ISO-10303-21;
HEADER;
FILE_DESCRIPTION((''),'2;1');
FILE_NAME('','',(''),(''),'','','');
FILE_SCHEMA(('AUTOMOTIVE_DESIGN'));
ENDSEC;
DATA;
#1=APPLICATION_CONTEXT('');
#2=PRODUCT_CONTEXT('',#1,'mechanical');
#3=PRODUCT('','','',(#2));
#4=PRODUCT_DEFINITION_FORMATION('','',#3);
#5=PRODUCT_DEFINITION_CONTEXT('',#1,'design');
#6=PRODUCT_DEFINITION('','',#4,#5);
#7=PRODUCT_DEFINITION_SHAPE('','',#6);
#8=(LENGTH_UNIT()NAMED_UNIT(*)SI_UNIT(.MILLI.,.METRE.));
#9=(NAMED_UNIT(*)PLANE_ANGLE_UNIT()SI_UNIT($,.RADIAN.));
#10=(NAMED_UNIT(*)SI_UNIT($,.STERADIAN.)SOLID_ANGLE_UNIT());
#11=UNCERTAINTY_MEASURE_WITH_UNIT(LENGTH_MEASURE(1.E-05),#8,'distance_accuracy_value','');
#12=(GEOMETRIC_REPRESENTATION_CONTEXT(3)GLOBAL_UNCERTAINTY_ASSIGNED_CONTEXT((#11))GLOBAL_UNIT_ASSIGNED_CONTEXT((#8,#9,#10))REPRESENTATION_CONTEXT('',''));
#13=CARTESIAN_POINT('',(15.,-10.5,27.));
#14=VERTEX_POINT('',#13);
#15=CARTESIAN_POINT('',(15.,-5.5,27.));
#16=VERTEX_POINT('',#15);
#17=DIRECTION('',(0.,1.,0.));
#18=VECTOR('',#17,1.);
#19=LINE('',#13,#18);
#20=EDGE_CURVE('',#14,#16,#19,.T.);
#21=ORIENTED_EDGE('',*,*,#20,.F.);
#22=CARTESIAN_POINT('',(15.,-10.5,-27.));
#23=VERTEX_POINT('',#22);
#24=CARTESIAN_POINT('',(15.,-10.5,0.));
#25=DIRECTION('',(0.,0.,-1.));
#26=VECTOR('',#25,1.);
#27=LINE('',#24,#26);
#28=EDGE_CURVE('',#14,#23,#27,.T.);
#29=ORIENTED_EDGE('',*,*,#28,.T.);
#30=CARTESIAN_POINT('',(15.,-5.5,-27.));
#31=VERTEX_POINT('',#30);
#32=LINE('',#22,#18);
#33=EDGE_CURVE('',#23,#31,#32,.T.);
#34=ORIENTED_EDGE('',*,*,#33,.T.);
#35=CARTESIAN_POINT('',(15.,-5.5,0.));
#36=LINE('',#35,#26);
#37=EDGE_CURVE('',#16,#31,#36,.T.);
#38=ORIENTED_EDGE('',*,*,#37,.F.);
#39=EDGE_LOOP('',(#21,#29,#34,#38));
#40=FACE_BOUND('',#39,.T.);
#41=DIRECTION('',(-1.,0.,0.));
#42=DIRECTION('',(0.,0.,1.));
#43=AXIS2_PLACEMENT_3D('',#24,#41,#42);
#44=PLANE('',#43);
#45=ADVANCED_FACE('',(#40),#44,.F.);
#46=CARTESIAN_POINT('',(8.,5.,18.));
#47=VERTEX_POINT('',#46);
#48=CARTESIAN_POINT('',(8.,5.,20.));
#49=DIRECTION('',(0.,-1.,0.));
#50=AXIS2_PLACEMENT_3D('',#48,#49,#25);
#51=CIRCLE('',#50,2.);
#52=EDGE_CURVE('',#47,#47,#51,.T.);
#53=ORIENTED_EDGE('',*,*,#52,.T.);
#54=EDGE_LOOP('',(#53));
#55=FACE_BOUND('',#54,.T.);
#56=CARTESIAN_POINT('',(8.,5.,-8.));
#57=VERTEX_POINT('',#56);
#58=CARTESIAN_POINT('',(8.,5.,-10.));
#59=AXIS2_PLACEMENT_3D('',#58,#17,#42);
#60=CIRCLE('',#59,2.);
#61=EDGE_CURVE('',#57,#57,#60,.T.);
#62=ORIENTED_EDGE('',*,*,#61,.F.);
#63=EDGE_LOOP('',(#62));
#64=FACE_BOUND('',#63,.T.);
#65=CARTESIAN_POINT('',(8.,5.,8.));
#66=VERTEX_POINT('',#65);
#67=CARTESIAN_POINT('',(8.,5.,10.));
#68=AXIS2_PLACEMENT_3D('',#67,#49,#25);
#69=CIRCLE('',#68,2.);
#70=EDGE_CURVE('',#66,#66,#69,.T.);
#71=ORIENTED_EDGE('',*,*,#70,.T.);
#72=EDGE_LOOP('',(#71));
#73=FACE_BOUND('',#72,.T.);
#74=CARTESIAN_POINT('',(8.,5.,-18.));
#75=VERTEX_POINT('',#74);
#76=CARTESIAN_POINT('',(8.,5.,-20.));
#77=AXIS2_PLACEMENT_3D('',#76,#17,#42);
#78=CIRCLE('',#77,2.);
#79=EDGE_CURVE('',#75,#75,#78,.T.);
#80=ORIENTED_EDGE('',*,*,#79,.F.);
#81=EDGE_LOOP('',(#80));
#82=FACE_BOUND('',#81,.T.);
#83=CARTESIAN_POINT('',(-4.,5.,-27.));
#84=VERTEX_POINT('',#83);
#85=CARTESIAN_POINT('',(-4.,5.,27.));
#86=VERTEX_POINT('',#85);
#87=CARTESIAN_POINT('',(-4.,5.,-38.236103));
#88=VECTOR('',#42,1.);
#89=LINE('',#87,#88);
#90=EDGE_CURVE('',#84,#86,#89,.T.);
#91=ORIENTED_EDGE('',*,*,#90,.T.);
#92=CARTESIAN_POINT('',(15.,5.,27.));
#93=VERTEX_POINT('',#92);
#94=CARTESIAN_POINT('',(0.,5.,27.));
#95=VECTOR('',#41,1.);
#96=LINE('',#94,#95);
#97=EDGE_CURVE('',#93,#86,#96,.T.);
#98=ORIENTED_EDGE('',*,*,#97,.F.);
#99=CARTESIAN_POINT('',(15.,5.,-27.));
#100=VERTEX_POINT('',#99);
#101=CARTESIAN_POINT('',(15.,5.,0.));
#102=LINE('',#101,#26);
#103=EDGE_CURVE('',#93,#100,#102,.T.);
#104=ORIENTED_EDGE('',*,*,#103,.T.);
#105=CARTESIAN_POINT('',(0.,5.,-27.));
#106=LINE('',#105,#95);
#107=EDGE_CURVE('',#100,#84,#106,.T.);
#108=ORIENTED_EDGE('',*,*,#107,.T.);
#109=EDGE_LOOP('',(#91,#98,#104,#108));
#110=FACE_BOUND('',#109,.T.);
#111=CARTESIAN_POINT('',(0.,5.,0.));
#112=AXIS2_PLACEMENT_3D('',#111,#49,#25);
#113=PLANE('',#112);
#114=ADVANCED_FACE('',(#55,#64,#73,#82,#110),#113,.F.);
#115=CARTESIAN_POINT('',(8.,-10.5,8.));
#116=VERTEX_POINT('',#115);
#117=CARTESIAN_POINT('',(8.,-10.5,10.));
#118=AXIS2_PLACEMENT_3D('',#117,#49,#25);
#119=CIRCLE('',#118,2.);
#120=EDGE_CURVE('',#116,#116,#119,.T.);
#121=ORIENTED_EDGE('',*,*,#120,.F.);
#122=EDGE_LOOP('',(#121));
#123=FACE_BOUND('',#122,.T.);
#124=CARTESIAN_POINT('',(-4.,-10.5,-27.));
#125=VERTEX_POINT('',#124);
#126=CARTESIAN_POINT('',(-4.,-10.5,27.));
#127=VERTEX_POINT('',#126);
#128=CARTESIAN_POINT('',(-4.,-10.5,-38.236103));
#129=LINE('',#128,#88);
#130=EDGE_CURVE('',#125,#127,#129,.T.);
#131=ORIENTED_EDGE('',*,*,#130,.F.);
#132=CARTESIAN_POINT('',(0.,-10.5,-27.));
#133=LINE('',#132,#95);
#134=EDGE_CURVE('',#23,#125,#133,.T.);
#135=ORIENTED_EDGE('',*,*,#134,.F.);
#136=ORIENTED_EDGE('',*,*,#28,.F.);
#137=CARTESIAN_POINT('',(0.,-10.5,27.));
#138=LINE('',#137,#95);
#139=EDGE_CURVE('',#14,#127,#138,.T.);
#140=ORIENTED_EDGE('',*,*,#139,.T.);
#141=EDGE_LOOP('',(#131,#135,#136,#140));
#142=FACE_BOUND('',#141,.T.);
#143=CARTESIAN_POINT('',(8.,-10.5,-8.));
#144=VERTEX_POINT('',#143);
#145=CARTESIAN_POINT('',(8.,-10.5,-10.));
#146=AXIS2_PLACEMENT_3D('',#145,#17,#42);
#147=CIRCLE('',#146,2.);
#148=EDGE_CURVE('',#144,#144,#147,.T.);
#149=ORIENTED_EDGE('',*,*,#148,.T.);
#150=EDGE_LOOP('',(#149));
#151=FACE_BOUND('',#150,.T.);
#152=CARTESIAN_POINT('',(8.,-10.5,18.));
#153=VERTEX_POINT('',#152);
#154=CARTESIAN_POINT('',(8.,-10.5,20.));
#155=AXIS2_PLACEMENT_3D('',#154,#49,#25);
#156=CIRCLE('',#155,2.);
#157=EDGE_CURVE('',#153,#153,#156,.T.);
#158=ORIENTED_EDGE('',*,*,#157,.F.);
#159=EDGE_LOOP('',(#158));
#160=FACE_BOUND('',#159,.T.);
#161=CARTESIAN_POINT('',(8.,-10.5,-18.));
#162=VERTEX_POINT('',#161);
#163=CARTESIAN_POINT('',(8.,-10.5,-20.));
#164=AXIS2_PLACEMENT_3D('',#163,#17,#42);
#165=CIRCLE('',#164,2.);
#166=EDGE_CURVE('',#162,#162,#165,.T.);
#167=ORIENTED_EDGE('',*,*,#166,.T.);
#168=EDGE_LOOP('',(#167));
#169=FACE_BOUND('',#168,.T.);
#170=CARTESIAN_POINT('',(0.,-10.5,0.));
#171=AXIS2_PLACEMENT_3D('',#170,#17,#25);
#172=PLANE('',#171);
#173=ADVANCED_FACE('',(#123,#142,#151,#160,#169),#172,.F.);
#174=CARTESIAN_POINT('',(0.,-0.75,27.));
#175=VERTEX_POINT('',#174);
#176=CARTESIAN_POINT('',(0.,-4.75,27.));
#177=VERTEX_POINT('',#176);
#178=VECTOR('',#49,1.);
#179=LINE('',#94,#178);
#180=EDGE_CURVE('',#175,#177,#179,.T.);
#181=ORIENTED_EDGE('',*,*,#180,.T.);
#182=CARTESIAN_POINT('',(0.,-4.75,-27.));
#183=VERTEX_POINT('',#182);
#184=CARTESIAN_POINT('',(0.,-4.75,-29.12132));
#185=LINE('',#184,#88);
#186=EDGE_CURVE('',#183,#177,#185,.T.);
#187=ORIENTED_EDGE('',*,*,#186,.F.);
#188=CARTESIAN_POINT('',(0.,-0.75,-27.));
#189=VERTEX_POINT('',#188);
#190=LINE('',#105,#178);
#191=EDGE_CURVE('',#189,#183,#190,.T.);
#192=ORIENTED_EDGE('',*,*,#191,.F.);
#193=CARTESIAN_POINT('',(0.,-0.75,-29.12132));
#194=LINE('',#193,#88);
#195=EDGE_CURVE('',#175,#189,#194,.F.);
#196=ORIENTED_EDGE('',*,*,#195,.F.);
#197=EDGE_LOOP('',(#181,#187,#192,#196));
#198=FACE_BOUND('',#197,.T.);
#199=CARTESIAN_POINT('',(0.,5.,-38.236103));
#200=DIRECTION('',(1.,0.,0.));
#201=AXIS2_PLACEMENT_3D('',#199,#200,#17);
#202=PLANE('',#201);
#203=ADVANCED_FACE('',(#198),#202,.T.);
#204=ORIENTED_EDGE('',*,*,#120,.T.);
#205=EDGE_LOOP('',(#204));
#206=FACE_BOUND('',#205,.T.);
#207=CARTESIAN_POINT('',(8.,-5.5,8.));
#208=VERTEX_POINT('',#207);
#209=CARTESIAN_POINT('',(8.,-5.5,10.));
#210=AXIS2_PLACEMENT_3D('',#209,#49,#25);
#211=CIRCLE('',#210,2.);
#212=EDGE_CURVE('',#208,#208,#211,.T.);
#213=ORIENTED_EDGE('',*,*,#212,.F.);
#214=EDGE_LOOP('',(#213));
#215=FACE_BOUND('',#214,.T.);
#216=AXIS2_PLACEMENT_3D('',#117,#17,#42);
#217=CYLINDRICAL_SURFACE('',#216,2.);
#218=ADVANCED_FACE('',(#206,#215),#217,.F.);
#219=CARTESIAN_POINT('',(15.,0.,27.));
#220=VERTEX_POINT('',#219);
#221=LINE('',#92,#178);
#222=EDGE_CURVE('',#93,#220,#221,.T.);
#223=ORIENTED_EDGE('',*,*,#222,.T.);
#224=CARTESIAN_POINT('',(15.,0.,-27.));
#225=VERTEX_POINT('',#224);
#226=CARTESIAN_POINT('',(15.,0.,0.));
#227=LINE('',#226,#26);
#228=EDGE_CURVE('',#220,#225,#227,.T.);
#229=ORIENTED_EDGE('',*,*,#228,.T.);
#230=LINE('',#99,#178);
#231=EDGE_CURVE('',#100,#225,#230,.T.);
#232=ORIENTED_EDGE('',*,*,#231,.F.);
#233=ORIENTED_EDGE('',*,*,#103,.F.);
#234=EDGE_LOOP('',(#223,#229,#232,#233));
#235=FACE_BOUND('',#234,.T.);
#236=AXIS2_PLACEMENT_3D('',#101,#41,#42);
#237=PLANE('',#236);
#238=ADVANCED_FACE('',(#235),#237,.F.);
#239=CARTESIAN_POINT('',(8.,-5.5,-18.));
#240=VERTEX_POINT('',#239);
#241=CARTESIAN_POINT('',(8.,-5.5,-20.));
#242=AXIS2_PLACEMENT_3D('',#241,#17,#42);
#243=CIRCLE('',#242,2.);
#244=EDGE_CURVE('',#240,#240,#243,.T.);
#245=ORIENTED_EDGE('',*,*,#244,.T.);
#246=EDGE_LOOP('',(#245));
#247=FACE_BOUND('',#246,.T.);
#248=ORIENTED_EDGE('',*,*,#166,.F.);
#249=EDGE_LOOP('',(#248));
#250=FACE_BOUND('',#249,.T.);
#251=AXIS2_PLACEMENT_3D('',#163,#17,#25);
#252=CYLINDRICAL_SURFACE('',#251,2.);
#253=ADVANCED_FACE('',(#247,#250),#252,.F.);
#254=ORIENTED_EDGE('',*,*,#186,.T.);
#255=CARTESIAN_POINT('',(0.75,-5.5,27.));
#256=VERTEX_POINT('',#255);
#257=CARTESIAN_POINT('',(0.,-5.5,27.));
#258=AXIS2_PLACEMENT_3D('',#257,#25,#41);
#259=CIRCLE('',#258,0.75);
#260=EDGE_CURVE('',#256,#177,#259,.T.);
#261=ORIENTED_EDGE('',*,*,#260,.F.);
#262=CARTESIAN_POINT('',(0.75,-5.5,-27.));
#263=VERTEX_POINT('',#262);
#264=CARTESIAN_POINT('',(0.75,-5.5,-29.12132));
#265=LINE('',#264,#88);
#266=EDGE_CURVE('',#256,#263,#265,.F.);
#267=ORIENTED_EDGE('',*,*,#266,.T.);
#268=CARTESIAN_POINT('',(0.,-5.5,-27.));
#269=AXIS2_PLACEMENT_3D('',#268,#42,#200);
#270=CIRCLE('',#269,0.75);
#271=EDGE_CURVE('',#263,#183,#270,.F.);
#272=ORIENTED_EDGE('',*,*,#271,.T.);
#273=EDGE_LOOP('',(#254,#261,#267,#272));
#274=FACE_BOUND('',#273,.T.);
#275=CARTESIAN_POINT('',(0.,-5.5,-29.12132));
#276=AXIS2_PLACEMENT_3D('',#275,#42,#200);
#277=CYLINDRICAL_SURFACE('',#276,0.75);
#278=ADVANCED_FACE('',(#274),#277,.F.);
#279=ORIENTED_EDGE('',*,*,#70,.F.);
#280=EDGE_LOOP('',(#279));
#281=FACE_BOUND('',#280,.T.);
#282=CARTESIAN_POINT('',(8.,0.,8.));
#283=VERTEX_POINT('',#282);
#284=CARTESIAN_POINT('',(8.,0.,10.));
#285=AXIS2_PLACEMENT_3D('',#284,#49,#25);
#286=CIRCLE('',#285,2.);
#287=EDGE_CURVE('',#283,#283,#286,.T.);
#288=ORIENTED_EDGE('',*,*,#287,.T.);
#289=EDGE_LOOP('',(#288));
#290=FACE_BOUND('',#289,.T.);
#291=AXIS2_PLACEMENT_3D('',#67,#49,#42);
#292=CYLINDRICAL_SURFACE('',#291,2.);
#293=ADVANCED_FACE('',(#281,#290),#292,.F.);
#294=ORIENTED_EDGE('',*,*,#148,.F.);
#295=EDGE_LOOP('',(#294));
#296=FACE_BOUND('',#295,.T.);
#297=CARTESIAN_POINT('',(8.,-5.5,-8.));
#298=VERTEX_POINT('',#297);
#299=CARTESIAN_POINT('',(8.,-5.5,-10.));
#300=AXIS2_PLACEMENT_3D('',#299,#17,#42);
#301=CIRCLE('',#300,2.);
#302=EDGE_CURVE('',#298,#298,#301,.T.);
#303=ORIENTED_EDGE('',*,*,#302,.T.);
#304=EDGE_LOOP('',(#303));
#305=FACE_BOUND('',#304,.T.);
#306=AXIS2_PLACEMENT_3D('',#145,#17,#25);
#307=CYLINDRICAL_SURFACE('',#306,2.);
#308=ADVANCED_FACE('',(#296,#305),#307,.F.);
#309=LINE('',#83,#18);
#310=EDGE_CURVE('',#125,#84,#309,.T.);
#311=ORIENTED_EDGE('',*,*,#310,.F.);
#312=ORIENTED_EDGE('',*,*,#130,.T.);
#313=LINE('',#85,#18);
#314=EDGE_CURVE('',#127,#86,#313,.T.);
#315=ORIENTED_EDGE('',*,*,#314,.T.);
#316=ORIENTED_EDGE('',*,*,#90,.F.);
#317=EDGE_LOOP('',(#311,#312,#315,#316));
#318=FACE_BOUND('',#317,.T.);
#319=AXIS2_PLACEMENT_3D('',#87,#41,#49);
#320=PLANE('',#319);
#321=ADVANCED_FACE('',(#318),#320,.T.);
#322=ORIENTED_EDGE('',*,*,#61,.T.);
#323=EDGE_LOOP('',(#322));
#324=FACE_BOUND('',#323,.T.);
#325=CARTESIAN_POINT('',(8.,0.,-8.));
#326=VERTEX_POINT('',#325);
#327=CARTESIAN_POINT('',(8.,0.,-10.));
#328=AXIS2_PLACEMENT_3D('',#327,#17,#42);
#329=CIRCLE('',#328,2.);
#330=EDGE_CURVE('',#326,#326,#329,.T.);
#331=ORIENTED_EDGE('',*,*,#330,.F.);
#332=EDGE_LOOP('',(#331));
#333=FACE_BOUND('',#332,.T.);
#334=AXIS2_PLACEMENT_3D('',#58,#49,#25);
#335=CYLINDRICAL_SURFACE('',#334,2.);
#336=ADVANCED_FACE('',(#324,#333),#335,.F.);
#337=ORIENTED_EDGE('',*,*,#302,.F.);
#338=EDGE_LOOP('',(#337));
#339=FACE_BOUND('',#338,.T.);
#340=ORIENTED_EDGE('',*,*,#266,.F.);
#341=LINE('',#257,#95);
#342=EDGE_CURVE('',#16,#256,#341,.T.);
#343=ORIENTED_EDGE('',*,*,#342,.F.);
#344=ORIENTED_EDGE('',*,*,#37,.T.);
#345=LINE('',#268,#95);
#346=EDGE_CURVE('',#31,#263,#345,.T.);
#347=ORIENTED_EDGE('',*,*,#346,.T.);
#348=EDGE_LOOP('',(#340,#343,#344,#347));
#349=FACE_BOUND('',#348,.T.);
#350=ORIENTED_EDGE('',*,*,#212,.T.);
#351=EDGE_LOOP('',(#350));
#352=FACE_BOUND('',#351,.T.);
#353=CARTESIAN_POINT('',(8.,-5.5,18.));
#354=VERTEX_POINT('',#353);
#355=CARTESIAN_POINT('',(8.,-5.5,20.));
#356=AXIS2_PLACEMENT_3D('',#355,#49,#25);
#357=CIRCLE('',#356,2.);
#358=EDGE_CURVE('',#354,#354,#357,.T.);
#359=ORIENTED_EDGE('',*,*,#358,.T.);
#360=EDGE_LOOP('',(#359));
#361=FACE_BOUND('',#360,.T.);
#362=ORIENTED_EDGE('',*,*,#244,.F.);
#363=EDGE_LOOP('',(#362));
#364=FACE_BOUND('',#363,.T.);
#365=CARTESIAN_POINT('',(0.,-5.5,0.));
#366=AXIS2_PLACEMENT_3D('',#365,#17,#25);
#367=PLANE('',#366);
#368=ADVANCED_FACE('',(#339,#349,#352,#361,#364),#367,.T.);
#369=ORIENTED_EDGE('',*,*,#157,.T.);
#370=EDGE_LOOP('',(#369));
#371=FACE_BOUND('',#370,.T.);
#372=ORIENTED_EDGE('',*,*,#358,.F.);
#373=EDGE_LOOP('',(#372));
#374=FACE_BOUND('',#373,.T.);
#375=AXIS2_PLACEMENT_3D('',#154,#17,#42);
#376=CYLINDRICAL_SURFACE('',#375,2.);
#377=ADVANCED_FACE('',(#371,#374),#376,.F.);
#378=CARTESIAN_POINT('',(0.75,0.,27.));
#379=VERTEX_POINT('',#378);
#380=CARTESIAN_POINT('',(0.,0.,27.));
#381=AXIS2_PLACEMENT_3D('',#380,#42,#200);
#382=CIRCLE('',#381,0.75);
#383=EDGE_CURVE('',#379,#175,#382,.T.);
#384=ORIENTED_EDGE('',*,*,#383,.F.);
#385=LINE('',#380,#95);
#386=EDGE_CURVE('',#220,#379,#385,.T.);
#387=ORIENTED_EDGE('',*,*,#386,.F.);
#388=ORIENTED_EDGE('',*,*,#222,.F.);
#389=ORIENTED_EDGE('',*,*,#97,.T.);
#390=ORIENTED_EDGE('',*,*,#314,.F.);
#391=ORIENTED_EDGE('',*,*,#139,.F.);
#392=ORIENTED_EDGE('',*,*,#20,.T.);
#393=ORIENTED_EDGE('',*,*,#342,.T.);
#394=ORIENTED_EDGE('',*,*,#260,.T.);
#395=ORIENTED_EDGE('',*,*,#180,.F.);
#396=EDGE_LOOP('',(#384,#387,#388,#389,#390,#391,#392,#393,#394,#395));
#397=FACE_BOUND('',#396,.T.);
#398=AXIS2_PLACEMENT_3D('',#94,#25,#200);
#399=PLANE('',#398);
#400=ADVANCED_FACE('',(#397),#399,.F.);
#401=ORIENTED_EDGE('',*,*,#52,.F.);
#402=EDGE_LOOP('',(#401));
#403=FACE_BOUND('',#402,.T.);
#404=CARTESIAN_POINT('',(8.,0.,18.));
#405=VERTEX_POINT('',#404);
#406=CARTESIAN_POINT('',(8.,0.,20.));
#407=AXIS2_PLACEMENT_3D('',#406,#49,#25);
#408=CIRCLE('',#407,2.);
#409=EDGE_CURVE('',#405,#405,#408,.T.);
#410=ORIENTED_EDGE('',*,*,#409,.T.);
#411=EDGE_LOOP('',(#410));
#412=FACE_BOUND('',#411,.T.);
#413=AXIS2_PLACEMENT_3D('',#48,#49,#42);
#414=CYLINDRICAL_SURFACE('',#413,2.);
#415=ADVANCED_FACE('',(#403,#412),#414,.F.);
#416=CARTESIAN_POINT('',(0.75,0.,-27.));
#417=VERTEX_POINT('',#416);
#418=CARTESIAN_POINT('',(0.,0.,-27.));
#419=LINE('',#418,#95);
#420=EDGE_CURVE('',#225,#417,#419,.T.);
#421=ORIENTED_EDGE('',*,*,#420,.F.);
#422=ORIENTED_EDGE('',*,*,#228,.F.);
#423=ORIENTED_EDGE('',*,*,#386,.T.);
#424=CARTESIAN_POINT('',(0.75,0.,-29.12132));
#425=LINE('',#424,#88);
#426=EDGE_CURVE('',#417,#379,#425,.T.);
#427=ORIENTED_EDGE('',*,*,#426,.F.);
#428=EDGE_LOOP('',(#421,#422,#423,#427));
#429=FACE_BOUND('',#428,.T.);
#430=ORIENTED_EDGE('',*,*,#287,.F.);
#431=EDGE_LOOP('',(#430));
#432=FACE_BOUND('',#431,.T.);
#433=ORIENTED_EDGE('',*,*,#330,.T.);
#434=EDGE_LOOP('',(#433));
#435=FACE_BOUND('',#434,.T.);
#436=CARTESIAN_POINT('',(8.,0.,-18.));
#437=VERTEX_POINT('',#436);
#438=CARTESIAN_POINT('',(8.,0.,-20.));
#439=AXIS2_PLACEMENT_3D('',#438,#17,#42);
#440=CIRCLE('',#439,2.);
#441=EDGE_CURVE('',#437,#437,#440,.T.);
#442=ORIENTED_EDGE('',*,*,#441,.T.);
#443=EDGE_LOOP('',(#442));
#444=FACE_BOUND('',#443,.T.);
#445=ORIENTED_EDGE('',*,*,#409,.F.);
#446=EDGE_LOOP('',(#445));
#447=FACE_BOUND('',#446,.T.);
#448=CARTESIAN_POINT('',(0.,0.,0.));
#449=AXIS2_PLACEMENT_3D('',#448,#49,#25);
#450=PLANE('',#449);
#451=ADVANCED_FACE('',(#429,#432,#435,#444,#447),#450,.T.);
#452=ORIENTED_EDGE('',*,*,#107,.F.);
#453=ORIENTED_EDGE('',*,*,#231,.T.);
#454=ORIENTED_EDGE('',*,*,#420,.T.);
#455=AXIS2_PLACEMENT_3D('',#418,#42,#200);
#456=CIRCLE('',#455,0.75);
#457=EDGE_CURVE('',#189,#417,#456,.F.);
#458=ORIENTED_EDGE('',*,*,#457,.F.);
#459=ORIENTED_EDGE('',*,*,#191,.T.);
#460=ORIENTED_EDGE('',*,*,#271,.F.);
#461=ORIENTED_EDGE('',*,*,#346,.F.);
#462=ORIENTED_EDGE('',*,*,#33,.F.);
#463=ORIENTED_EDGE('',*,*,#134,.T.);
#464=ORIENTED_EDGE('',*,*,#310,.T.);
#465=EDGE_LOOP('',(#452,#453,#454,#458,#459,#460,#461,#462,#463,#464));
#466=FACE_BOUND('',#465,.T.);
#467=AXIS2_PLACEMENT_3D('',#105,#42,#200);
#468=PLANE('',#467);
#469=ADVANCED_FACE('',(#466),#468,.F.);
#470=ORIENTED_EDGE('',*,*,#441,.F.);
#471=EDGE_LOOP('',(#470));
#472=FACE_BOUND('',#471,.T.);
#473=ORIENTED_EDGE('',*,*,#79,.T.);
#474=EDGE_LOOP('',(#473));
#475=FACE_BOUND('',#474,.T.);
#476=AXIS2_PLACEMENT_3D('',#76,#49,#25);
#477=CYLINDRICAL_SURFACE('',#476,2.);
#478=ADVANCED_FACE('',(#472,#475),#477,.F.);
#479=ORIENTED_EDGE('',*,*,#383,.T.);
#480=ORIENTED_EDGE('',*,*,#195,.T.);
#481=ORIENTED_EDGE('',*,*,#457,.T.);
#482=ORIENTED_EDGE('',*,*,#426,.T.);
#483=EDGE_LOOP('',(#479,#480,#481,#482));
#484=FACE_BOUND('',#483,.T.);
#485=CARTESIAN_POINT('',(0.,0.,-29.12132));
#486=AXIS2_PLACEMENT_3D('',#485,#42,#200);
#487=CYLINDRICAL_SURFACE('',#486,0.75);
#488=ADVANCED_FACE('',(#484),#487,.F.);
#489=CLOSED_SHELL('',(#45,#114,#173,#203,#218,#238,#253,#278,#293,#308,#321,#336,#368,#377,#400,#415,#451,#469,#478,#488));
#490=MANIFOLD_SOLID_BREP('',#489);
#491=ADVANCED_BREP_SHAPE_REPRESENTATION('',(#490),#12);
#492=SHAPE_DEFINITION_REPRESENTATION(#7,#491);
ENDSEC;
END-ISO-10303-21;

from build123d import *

# Parameters (mm, degrees)
SKETCH1_W           = 15
SKETCH1_H           = 27
SKETCH1_R           = 2
BOSS_EXTRUDE1_DEPTH = 5
SKETCH2_W           = 4
SKETCH2_H           = 10.5
BOSS_EXTRUDE2_DEPTH = 27
SKETCH4_R           = 0.75
CUT_EXTRUDE1_DEPTH  = 54


with BuildPart() as part:
    # Sketch1 → Boss-Extrude1 (new body)
    with BuildSketch(Plane(origin=(0, 0, 0), x_dir=(1, 0, 0), z_dir=(0, 1, 0))):
        with Locations((7.5, 13.5)):
            Rectangle(SKETCH1_W, SKETCH1_H)
        with Locations((8, 10)):
            Circle(SKETCH1_R, mode=Mode.SUBTRACT)
        with Locations((8, 20)):
            Circle(SKETCH1_R, mode=Mode.SUBTRACT)
    extrude(amount=BOSS_EXTRUDE1_DEPTH)

    # Sketch2 → Boss-Extrude2 (add)
    with BuildSketch(Plane.XY):
        with Locations((-2, -0.25)):
            Rectangle(SKETCH2_W, SKETCH2_H)
    extrude(amount=-BOSS_EXTRUDE2_DEPTH)

    # Mirror3: part across plane


with BuildPart() as part_1:
    add(part.part)
    add(part.part.mirror(Plane(origin=(0, -2.75, 0), x_dir=(0, 0, 1), z_dir=(0, -1, 0))))

    # Mirror4: part across plane


with BuildPart() as part_2:
    add(part_1.part)
    add(part_1.part.mirror(Plane(origin=(0, 5, 0), x_dir=(1, 0, 0), z_dir=(0, 0, -1))))

    # Sketch4 → Cut-Extrude1 (cut)
    with BuildSketch(Plane.XY.offset(27)):
        Circle(SKETCH4_R)
        with Locations((0, -5.5)):
            Circle(SKETCH4_R)
    extrude(amount=-CUT_EXTRUDE1_DEPTH, mode=Mode.SUBTRACT)


solid = part_2.part
